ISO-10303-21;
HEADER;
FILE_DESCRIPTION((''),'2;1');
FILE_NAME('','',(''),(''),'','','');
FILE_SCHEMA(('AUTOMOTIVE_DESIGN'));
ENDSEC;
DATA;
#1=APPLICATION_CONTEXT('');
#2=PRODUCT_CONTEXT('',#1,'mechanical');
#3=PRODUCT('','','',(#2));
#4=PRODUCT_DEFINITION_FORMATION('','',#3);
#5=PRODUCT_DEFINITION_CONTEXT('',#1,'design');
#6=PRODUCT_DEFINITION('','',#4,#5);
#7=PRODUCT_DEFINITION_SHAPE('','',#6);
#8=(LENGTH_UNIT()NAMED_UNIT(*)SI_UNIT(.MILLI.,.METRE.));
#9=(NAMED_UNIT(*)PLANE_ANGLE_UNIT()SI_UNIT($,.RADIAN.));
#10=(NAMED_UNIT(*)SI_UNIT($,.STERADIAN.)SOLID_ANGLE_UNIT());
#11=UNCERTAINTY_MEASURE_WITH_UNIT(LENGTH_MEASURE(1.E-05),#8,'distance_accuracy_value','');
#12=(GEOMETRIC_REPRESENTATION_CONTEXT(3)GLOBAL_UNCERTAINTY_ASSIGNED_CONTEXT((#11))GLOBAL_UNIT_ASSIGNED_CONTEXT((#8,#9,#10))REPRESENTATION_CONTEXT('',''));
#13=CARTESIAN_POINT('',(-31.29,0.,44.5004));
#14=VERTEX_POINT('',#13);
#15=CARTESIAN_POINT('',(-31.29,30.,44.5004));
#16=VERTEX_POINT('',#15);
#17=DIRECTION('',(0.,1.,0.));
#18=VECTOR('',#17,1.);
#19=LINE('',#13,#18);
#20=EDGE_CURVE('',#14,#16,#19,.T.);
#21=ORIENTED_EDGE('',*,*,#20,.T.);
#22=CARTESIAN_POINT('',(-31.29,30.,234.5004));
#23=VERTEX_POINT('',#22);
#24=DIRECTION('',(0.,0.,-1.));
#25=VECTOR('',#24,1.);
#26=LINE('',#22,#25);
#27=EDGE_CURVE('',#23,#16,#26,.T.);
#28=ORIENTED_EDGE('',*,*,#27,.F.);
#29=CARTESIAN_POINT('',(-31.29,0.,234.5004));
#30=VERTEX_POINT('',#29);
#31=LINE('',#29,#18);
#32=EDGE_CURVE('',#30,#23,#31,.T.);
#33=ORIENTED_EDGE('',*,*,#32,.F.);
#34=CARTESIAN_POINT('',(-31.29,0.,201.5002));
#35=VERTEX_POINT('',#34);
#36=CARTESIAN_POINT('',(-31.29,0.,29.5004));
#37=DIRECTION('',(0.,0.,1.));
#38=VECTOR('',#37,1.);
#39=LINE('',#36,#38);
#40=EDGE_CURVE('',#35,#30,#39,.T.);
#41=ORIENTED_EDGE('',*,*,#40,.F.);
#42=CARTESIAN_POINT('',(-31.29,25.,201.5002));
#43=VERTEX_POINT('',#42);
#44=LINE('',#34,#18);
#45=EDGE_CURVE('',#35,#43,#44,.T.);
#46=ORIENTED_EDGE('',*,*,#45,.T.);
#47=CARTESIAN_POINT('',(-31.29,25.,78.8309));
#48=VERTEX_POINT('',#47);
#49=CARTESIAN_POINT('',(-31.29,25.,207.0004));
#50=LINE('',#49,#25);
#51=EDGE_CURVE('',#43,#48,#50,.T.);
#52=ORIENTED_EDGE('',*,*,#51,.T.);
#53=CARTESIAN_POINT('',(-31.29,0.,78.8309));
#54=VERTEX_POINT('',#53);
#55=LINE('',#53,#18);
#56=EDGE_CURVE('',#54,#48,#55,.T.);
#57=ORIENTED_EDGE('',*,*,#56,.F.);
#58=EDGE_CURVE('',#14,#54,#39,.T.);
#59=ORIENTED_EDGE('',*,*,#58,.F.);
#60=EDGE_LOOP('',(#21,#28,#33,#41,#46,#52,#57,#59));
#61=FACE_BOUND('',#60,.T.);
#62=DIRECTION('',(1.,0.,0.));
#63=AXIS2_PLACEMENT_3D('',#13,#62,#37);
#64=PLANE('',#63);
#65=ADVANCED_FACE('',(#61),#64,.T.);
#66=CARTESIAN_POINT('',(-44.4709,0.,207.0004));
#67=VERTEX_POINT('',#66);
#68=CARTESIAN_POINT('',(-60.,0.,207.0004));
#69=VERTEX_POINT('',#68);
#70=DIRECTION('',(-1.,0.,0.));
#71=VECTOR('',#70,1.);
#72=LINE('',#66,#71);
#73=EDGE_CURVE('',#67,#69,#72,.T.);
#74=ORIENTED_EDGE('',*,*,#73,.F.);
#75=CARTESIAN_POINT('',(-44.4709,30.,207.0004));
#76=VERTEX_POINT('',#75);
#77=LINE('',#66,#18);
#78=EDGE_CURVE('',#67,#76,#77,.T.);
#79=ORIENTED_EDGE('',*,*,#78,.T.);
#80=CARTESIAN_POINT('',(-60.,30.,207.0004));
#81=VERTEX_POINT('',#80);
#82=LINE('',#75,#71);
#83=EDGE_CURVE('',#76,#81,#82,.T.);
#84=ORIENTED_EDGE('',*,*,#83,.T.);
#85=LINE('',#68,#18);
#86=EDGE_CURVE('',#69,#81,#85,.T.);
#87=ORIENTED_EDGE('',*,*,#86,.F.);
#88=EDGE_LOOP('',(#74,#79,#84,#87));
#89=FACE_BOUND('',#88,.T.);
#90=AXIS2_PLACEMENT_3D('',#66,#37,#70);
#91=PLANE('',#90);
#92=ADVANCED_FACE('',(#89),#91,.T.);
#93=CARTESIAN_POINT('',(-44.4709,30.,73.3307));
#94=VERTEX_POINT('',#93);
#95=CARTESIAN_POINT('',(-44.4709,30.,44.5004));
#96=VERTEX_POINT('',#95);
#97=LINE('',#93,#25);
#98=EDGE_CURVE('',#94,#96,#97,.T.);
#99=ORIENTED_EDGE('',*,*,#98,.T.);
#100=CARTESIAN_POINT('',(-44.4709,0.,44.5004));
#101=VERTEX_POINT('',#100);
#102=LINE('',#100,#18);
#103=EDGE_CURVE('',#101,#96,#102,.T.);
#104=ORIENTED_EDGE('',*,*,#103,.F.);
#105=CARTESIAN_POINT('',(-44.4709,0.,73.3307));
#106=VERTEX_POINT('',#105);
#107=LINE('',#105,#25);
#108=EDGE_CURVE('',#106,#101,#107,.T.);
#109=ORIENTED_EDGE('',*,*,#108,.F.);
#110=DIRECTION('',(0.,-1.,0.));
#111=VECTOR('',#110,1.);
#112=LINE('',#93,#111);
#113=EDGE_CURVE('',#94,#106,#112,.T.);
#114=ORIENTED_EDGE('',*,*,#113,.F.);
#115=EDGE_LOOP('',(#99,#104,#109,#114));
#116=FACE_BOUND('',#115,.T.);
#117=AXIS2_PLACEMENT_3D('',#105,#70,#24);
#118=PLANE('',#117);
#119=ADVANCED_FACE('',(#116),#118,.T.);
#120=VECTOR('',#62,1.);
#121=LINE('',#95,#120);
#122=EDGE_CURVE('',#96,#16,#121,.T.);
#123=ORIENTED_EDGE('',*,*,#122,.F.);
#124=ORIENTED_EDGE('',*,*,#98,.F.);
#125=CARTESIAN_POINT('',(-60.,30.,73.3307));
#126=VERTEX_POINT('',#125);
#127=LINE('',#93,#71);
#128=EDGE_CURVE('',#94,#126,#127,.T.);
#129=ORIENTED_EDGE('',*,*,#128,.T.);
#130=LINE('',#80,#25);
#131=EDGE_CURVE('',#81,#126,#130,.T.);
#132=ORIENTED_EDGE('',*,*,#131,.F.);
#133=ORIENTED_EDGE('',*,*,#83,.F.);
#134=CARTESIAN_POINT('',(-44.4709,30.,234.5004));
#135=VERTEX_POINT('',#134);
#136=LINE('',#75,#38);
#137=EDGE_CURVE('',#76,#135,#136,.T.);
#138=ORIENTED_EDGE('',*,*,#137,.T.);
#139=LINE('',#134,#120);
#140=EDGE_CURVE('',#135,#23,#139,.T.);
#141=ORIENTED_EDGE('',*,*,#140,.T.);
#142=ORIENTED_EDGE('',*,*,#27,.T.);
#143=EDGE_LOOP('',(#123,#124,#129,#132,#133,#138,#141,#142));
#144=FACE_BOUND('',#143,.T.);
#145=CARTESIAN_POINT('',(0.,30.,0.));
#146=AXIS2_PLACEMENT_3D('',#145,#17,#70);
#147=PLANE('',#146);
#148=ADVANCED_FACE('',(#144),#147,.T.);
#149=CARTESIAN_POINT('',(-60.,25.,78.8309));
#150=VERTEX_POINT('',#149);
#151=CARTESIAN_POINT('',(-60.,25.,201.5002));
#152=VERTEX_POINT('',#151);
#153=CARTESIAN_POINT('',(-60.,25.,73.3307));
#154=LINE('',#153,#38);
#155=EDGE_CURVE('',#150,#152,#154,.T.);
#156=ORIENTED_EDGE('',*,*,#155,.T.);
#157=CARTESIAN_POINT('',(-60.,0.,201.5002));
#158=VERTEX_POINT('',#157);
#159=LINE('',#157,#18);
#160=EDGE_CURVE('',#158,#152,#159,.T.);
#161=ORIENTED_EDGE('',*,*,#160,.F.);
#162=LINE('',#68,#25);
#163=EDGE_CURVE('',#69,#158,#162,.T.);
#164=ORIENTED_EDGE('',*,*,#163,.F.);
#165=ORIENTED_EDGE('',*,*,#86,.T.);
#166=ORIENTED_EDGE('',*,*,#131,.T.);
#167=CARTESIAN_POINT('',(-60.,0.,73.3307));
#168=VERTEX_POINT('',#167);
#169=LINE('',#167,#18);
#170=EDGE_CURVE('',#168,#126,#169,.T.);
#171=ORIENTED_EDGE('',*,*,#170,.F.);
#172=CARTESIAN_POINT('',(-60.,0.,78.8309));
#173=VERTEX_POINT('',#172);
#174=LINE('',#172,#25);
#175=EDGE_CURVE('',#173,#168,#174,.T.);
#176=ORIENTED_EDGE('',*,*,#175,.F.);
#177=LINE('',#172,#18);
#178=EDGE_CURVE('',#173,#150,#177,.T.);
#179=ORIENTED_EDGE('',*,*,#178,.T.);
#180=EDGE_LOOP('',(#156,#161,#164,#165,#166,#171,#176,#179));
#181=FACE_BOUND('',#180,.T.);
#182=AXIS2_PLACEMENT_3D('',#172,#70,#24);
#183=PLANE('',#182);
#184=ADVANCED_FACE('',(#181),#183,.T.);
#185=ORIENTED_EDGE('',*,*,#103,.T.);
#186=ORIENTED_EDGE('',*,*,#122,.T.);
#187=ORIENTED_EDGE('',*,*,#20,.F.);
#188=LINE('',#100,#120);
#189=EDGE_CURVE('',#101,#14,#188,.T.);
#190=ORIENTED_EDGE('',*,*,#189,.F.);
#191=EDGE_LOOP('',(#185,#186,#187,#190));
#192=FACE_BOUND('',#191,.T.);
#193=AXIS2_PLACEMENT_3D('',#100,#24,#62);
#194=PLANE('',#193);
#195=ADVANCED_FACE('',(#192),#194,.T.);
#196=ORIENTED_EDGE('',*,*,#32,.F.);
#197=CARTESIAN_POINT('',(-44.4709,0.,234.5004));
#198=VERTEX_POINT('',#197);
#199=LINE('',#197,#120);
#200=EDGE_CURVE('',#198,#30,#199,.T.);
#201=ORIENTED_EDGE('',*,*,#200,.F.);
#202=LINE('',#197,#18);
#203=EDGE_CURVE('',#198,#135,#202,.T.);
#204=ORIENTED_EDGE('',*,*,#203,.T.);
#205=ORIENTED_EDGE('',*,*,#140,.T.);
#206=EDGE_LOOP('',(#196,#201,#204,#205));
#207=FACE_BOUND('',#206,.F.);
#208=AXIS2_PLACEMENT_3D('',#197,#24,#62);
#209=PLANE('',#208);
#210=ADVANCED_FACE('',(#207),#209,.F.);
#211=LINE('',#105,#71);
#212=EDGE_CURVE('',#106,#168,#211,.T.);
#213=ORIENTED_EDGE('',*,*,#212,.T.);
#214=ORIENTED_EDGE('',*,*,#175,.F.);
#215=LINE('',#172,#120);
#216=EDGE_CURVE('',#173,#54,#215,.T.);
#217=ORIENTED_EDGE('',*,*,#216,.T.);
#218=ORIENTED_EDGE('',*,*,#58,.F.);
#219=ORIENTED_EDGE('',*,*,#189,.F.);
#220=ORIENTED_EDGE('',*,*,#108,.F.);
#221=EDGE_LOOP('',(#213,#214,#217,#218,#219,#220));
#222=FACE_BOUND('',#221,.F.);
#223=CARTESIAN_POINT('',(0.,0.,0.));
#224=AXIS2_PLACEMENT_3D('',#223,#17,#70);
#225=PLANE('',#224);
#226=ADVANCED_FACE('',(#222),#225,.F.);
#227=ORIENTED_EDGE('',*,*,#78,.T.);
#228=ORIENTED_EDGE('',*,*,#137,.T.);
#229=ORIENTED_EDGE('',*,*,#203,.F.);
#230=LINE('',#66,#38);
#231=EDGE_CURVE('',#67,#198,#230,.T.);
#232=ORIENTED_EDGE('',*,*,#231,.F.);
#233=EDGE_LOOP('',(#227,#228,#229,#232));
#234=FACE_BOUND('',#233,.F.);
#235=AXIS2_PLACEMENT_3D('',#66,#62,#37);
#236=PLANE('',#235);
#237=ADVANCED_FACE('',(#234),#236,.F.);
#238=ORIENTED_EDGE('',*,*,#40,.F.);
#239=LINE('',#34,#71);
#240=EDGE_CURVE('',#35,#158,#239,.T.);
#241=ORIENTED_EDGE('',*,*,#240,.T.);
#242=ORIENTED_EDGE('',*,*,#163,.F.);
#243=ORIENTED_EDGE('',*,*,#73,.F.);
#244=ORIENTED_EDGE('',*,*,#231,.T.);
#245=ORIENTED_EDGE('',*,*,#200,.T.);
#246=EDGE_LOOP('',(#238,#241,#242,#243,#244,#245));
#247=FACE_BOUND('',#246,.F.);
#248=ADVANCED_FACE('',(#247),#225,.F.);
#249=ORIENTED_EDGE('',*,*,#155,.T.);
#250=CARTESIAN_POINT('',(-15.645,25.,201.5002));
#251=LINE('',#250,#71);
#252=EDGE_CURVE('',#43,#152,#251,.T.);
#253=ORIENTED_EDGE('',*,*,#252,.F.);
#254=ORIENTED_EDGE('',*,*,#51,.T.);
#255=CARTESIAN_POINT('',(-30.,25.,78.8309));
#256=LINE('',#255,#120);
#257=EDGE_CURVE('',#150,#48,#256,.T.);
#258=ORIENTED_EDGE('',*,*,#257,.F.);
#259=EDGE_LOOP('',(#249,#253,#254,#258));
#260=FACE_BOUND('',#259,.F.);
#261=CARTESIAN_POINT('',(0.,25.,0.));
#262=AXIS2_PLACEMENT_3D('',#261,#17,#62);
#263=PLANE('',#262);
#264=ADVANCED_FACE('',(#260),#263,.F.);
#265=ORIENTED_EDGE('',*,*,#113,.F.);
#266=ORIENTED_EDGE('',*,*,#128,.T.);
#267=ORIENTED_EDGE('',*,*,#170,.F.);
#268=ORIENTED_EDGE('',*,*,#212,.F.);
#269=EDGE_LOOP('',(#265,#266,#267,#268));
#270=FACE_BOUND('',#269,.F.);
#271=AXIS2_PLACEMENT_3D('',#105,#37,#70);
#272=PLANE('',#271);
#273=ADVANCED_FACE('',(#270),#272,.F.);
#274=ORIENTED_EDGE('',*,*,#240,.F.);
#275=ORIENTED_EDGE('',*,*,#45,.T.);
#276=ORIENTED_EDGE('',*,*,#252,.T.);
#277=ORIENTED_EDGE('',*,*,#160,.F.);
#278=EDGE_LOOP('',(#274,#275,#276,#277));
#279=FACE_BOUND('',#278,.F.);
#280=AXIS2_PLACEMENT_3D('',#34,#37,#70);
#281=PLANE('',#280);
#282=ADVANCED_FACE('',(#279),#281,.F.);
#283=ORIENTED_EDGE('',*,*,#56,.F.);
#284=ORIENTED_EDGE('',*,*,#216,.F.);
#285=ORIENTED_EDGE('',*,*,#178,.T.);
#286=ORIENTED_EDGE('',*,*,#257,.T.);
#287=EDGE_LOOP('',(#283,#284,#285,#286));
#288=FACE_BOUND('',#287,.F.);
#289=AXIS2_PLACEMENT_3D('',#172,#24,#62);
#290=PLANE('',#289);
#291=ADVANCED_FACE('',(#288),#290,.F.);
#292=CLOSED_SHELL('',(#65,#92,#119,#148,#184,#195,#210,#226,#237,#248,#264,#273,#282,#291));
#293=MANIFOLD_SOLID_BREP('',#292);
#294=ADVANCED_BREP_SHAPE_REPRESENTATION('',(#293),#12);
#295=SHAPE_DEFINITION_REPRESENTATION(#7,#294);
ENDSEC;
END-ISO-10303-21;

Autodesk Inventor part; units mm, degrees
ref_plane "YZ Plane" through (0, 0, 0) normal (1, 0, 0) x (0, 1, 0)
ref_plane "XZ Plane" through (0, 0, 0) normal (0, 1, 0) x (-1, 0, 0)
ref_plane "XY Plane" through (0, 0, 0) normal (0, 0, 1) x (1, 0, 0)
sketch "Эскиз1" plane through (0, 0, 0) normal (0, 1, 0) x (-1, 0, 0)
  line L0 (44.4709, 73.3307) -> (60, 73.3307)
  line L1 (44.4709, 73.3307) -> (44.4709, 28.3307)
  line L2 (44.4709, 207.0004) -> (60, 207.0004)
  line L3 (44.4709, 207.0004) -> (44.4709, 252.0004)
  line L4 (31.29, 29.5004) -> (31.29, 249.5004)
  line L5 (31.29, 201.5002) -> (60, 201.5002)
  line L6 (60, 78.8309) -> (31.29, 78.8309)
  line L7 (44.4709, 234.5004) -> (31.29, 234.5004)
  line L8 (44.4709, 44.5004) -> (31.29, 44.5004)
  line L9 (31.29, 139.5004) -> (37.8804, 139.5004)
  line L10 (60, 207.0004) -> (60, 201.5002)
  line L11 (60, 78.8309) -> (60, 73.3307)
  point P0 (0, 0)
  dimension "d0" = 5.5002
  dimension "d1" = 5.5002
  dimension "d2" = 95
extrude "Выдавливание1" add sketch "Эскиз1" along normal blind 30
sketch "Эскиз2" plane through (0, 30, 0) normal (0, 1, 0) x (1, 0, 0)
  line L0 (-60, -201.5002) -> (-60, -207.0004) projected
  line L1 (-31.29, -78.8309) -> (-31.29, -44.5004) projected
  line L2 (-60, -207.0004) -> (-31.29, -207.0004)
  line L3 (-31.29, -207.0004) -> (-31.29, -73.3307)
  line L4 (-31.29, -73.3307) -> (-60, -73.3307)
  line L5 (-60, -73.3307) -> (-60, -207.0004)
  point P0 (0, 0)
extrude "Выдавливание2" add sketch "Эскиз2" against normal blind 5
equation "\"d1\" = d0"
properties part number "KB33-046-010 - Панель управления"
